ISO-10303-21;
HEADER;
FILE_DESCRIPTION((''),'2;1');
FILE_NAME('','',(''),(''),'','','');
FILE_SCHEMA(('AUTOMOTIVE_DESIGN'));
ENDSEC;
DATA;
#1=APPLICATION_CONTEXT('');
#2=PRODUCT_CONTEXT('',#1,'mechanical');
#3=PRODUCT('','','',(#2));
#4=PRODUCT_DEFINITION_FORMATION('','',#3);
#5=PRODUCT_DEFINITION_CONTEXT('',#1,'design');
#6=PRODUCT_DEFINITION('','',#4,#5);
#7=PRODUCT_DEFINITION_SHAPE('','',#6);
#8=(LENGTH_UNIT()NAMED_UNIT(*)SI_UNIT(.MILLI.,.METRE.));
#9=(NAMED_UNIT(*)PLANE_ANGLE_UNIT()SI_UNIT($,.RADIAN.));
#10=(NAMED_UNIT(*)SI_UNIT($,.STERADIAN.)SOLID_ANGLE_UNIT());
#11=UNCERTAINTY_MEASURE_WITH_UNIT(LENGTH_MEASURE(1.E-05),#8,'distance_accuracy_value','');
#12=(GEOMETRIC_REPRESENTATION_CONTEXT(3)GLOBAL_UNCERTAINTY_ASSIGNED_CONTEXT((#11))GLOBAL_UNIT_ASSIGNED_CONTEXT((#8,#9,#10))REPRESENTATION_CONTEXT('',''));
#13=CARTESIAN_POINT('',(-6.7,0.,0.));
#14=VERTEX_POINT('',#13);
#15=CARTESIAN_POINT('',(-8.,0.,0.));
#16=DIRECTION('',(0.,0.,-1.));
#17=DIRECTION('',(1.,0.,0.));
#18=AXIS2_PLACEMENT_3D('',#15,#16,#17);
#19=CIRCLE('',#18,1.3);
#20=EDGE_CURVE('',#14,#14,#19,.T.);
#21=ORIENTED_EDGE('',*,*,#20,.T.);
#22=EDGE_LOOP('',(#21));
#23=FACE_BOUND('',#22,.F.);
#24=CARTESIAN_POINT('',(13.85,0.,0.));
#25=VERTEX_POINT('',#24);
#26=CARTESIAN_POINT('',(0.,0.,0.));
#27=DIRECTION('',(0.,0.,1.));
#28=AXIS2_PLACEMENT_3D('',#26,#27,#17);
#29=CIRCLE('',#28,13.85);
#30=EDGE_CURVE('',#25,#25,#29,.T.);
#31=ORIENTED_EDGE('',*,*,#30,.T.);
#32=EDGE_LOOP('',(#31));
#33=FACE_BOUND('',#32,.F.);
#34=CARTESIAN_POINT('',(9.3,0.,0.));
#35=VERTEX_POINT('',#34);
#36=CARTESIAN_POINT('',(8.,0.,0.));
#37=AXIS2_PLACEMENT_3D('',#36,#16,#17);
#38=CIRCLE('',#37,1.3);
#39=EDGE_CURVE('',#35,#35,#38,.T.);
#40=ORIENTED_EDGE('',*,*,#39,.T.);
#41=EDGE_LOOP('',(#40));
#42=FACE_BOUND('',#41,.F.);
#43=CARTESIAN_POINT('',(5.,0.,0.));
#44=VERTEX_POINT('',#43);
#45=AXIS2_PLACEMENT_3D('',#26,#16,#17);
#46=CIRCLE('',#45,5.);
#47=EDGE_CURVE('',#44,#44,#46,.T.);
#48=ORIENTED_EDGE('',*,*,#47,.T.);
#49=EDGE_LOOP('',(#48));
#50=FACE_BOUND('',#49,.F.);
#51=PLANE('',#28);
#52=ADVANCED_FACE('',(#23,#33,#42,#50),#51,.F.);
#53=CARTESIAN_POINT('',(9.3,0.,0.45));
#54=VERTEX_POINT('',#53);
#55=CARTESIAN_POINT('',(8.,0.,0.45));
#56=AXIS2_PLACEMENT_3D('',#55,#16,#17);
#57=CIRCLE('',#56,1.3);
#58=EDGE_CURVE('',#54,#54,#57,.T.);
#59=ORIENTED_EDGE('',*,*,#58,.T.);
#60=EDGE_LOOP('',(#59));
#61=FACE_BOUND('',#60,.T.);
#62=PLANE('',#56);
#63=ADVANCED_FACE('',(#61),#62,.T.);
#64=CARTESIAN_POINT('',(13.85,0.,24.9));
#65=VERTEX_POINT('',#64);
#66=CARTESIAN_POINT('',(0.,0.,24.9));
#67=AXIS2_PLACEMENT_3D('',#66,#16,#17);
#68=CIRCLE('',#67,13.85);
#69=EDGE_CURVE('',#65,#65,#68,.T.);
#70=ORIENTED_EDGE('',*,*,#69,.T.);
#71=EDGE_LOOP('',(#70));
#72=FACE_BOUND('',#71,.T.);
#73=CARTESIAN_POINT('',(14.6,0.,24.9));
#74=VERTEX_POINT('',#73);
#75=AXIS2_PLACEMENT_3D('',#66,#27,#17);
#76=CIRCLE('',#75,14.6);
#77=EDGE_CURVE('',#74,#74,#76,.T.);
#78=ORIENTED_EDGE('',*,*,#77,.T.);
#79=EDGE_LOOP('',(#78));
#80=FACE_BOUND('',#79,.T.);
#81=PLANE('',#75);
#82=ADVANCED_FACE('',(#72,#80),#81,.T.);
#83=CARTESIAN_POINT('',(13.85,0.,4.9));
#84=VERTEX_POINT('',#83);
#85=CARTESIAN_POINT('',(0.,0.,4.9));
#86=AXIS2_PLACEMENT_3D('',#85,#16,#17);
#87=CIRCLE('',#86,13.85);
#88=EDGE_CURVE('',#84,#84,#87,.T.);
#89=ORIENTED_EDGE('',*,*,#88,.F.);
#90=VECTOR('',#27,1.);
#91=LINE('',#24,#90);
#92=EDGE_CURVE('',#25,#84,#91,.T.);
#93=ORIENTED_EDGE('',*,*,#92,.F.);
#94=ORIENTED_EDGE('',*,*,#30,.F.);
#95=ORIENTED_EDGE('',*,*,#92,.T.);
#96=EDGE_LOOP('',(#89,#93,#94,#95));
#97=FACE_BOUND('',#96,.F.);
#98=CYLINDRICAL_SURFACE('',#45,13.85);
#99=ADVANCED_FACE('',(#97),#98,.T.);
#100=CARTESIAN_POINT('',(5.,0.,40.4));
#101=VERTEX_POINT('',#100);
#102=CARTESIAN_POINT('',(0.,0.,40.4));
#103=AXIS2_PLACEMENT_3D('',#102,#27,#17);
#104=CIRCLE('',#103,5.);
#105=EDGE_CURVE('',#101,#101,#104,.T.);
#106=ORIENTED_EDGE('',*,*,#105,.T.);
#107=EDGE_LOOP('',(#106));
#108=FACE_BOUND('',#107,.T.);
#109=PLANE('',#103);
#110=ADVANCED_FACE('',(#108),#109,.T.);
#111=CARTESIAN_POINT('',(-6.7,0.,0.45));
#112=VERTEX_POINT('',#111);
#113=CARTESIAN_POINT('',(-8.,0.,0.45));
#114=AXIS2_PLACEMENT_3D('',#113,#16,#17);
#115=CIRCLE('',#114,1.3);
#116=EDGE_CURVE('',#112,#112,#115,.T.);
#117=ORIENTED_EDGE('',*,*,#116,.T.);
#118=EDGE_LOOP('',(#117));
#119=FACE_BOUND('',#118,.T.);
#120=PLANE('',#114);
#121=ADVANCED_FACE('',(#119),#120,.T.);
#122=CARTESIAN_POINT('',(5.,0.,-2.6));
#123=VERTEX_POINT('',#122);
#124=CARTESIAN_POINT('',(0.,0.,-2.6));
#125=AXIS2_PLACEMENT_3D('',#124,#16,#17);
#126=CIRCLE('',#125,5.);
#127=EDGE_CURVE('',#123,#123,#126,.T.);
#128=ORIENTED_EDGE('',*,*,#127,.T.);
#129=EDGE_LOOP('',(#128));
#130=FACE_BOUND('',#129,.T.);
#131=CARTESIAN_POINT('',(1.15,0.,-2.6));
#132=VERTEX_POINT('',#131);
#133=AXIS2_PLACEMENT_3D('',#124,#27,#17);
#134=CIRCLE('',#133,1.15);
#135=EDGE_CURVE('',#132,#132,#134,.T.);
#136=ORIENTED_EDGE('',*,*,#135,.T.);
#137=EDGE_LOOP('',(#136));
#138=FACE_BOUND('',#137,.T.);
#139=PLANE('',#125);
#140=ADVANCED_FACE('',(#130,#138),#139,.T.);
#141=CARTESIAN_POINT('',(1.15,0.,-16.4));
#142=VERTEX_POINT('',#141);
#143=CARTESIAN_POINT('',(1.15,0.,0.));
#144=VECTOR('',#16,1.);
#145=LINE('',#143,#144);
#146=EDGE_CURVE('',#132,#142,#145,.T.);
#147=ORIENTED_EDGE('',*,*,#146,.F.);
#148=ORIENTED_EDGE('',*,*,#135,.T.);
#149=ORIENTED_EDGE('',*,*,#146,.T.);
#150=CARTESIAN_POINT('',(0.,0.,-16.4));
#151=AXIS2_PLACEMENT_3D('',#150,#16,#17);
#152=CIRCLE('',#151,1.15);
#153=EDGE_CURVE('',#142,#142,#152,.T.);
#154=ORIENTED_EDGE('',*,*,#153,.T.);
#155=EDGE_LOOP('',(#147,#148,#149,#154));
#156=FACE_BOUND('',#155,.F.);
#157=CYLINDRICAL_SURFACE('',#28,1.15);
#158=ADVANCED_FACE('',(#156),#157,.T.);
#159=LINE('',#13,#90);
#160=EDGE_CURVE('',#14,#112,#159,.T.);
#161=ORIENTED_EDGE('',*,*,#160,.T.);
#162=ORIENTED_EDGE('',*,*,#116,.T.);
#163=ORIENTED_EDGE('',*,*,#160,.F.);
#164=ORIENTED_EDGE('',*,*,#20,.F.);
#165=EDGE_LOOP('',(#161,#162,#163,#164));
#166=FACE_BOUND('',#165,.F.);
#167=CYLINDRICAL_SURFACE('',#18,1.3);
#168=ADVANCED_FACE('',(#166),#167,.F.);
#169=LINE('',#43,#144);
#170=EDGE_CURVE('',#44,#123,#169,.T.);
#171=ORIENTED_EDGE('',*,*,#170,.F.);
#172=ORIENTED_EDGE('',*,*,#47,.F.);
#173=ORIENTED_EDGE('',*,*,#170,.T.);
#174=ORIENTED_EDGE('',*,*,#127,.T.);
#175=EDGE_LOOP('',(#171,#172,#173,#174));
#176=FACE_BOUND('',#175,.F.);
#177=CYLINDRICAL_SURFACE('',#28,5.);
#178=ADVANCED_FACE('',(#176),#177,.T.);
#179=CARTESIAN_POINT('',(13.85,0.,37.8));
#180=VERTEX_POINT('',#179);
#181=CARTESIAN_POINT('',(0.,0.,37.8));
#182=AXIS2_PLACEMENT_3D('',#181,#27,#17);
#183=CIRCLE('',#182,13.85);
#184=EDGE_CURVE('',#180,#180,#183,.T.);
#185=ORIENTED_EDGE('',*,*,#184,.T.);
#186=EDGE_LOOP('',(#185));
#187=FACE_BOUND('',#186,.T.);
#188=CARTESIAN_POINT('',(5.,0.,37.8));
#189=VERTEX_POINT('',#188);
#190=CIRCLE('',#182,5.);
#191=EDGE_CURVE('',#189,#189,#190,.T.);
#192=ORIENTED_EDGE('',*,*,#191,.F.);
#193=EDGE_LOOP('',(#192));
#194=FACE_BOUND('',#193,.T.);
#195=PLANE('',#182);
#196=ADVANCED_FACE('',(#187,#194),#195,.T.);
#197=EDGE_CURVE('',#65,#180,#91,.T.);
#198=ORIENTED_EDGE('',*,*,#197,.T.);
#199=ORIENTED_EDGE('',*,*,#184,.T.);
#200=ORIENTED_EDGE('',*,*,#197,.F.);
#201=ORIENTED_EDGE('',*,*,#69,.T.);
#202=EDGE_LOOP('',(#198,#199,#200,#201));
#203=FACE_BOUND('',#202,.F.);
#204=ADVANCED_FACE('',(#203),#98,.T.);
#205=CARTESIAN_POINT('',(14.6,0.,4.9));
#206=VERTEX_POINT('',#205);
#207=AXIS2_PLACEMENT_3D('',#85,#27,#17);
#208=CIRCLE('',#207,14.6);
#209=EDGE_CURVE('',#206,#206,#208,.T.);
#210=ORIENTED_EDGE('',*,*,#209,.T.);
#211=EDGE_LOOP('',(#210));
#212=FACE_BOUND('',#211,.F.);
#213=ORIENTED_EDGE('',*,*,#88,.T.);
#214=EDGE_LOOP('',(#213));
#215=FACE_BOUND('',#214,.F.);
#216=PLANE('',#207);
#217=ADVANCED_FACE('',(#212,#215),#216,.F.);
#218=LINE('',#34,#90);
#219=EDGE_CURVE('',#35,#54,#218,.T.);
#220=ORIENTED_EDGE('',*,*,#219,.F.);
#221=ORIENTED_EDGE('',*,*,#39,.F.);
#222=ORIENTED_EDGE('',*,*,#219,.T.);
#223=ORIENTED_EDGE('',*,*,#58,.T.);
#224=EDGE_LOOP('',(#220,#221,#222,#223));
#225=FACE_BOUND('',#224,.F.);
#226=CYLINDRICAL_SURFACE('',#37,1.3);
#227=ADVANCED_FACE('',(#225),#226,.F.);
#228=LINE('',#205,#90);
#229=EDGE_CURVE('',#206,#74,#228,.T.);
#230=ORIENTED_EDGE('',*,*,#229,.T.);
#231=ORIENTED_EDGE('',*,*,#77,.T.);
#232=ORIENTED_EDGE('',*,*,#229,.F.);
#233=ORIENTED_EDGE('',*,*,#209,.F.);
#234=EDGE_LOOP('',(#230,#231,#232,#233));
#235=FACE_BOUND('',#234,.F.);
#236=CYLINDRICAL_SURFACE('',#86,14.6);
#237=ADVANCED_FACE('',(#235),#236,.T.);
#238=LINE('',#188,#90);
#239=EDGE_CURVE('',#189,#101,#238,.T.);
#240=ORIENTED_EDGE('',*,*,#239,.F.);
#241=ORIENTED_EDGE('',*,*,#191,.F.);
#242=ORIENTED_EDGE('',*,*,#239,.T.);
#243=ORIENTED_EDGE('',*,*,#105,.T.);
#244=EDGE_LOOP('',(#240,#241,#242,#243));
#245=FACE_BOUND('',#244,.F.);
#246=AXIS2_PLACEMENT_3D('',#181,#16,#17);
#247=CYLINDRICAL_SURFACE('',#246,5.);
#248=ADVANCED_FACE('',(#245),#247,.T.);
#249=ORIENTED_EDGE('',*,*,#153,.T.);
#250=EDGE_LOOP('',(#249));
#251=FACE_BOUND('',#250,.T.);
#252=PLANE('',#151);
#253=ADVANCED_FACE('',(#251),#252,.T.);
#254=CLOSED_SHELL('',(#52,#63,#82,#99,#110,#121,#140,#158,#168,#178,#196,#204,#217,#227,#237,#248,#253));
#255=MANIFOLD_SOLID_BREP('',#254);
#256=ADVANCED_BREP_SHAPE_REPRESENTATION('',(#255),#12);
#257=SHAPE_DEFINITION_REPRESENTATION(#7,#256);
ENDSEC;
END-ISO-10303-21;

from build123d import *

# Parameters (mm, degrees)
SKETCH_R     = 13.85
PAD_DEPTH    = 37.8
SKETCH001_R  = 14.6
PAD001_DEPTH = 20
SKETCH002_R  = 5
PAD002_DEPTH = 2.6
SKETCH003_R  = 1.15
PAD003_DEPTH = 16.4
SKETCH004_R  = 5
PAD004_DEPTH = 2.6
SKETCH005_R  = 1.3
POCKET_DEPTH = 0.45


with BuildPart() as part:
    # Sketch → Pad (new body)
    with BuildSketch(Plane.XY):
        Circle(SKETCH_R)
    extrude(amount=PAD_DEPTH)

    # Sketch001 (on Face3 of Pad) → Pad001 (join)
    with BuildSketch(Plane.XY.offset(4.9)):
        Circle(SKETCH001_R)
    extrude(amount=PAD001_DEPTH)

    # Sketch002 (on Face7 of Pad001) → Pad002 (join)
    with BuildSketch(Plane.XY.offset(37.8)):
        Circle(SKETCH002_R)
    extrude(amount=PAD002_DEPTH)

    # Sketch003 (on Face2 of Pad002) → Pad003 (join)
    with BuildSketch(Plane(origin=(0, 0, 0), x_dir=(1, 0, 0), z_dir=(0, 0, -1))):
        Circle(SKETCH003_R)
    extrude(amount=PAD003_DEPTH)

    # Sketch004 (on Face2 of Pad003) → Pad004 (join)
    with BuildSketch(Plane(origin=(0, 0, 0), x_dir=(1, 0, 0), z_dir=(0, 0, -1))):
        Circle(SKETCH004_R)
    extrude(amount=PAD004_DEPTH)

    # Sketch005 (on Face2 of Pad004) → Pocket (cut)
    with BuildSketch(Plane(origin=(0, 0, 0), x_dir=(1, 0, 0), z_dir=(0, 0, -1))):
        with Locations((8, 0)):
            Circle(SKETCH005_R)
        with Locations((-8, 0)):
            Circle(SKETCH005_R)
    extrude(amount=-POCKET_DEPTH, mode=Mode.SUBTRACT)


solid = part.part
